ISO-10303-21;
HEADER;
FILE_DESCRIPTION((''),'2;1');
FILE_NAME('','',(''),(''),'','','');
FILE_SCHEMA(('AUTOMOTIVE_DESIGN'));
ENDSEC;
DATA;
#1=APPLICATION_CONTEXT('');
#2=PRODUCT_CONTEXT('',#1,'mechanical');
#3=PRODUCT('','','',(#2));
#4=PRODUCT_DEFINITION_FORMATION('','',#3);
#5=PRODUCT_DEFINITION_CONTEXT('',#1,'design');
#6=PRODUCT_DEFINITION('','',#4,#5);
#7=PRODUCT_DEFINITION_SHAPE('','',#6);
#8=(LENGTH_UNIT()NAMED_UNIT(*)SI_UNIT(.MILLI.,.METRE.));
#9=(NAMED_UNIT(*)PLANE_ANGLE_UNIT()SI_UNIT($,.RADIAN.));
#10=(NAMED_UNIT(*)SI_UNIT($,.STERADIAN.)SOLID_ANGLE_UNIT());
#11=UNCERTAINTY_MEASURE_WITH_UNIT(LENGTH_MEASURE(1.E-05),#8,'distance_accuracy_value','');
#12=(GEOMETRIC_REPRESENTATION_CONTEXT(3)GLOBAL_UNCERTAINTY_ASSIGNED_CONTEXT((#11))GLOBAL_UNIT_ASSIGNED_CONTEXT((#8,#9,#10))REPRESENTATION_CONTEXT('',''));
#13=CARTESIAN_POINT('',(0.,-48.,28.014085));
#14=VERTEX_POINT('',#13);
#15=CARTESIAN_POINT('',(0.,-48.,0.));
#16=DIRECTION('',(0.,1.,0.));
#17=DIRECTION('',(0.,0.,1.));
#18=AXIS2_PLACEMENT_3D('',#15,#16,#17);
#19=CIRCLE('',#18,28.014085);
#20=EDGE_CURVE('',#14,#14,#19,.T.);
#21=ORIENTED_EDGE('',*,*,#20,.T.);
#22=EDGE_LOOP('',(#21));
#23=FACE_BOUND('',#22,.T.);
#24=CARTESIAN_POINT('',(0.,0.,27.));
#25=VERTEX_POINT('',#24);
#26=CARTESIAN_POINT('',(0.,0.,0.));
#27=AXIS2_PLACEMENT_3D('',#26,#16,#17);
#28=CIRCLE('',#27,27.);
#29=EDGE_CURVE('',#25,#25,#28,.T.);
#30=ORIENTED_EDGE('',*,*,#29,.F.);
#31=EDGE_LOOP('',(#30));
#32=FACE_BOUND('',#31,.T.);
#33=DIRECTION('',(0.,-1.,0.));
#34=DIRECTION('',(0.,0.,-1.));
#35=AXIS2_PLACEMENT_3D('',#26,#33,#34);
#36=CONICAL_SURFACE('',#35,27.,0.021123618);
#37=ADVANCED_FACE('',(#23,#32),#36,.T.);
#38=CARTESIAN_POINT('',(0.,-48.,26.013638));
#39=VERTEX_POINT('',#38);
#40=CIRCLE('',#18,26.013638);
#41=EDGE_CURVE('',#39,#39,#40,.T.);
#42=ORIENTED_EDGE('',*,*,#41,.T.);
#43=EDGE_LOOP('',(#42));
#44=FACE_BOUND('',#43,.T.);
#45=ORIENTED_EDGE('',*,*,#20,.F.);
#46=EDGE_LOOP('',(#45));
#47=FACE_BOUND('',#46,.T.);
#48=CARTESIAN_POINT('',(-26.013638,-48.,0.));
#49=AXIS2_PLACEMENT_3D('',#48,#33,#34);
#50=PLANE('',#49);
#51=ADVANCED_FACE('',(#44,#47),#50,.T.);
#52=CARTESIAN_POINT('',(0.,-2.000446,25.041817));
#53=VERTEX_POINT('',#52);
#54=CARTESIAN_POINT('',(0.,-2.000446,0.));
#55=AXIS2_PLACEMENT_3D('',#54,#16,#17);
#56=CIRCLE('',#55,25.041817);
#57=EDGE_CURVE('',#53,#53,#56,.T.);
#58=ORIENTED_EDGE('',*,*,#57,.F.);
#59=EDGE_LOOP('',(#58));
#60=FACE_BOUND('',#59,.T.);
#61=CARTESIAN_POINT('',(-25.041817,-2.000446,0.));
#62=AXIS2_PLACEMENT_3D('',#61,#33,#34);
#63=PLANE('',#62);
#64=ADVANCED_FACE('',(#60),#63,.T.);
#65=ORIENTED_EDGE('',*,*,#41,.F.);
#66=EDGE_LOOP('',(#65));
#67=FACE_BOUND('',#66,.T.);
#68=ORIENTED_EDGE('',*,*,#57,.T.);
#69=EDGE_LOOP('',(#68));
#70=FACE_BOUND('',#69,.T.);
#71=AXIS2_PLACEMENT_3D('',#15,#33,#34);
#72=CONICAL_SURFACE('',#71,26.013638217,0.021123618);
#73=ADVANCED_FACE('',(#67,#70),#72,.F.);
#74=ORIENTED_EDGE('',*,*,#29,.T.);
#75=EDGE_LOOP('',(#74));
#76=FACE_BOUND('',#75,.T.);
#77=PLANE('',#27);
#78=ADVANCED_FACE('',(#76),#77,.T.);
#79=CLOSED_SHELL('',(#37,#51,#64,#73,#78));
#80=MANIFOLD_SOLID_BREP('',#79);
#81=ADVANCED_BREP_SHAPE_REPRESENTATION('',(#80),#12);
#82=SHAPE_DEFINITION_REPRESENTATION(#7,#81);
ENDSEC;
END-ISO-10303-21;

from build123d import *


with BuildPart() as part:
    # Esboço1 → Revolução1 (revolve)
    with BuildSketch(Plane.XY, mode=Mode.PRIVATE) as revolu_o1_sk:
        Polygon((0, 0), (-27, 0), (-28.014084507, -48), (-26.013638217, -48), (-25.04181666, -2.00044629), (0, -2.00044629), align=None)
    revolve(revolu_o1_sk.sketch.rotate(Axis((0, 57.835596227, 0), (0, -1, 0)), 270), axis=Axis((0, 57.835596227, 0), (0, -1, 0)))


solid = part.part
